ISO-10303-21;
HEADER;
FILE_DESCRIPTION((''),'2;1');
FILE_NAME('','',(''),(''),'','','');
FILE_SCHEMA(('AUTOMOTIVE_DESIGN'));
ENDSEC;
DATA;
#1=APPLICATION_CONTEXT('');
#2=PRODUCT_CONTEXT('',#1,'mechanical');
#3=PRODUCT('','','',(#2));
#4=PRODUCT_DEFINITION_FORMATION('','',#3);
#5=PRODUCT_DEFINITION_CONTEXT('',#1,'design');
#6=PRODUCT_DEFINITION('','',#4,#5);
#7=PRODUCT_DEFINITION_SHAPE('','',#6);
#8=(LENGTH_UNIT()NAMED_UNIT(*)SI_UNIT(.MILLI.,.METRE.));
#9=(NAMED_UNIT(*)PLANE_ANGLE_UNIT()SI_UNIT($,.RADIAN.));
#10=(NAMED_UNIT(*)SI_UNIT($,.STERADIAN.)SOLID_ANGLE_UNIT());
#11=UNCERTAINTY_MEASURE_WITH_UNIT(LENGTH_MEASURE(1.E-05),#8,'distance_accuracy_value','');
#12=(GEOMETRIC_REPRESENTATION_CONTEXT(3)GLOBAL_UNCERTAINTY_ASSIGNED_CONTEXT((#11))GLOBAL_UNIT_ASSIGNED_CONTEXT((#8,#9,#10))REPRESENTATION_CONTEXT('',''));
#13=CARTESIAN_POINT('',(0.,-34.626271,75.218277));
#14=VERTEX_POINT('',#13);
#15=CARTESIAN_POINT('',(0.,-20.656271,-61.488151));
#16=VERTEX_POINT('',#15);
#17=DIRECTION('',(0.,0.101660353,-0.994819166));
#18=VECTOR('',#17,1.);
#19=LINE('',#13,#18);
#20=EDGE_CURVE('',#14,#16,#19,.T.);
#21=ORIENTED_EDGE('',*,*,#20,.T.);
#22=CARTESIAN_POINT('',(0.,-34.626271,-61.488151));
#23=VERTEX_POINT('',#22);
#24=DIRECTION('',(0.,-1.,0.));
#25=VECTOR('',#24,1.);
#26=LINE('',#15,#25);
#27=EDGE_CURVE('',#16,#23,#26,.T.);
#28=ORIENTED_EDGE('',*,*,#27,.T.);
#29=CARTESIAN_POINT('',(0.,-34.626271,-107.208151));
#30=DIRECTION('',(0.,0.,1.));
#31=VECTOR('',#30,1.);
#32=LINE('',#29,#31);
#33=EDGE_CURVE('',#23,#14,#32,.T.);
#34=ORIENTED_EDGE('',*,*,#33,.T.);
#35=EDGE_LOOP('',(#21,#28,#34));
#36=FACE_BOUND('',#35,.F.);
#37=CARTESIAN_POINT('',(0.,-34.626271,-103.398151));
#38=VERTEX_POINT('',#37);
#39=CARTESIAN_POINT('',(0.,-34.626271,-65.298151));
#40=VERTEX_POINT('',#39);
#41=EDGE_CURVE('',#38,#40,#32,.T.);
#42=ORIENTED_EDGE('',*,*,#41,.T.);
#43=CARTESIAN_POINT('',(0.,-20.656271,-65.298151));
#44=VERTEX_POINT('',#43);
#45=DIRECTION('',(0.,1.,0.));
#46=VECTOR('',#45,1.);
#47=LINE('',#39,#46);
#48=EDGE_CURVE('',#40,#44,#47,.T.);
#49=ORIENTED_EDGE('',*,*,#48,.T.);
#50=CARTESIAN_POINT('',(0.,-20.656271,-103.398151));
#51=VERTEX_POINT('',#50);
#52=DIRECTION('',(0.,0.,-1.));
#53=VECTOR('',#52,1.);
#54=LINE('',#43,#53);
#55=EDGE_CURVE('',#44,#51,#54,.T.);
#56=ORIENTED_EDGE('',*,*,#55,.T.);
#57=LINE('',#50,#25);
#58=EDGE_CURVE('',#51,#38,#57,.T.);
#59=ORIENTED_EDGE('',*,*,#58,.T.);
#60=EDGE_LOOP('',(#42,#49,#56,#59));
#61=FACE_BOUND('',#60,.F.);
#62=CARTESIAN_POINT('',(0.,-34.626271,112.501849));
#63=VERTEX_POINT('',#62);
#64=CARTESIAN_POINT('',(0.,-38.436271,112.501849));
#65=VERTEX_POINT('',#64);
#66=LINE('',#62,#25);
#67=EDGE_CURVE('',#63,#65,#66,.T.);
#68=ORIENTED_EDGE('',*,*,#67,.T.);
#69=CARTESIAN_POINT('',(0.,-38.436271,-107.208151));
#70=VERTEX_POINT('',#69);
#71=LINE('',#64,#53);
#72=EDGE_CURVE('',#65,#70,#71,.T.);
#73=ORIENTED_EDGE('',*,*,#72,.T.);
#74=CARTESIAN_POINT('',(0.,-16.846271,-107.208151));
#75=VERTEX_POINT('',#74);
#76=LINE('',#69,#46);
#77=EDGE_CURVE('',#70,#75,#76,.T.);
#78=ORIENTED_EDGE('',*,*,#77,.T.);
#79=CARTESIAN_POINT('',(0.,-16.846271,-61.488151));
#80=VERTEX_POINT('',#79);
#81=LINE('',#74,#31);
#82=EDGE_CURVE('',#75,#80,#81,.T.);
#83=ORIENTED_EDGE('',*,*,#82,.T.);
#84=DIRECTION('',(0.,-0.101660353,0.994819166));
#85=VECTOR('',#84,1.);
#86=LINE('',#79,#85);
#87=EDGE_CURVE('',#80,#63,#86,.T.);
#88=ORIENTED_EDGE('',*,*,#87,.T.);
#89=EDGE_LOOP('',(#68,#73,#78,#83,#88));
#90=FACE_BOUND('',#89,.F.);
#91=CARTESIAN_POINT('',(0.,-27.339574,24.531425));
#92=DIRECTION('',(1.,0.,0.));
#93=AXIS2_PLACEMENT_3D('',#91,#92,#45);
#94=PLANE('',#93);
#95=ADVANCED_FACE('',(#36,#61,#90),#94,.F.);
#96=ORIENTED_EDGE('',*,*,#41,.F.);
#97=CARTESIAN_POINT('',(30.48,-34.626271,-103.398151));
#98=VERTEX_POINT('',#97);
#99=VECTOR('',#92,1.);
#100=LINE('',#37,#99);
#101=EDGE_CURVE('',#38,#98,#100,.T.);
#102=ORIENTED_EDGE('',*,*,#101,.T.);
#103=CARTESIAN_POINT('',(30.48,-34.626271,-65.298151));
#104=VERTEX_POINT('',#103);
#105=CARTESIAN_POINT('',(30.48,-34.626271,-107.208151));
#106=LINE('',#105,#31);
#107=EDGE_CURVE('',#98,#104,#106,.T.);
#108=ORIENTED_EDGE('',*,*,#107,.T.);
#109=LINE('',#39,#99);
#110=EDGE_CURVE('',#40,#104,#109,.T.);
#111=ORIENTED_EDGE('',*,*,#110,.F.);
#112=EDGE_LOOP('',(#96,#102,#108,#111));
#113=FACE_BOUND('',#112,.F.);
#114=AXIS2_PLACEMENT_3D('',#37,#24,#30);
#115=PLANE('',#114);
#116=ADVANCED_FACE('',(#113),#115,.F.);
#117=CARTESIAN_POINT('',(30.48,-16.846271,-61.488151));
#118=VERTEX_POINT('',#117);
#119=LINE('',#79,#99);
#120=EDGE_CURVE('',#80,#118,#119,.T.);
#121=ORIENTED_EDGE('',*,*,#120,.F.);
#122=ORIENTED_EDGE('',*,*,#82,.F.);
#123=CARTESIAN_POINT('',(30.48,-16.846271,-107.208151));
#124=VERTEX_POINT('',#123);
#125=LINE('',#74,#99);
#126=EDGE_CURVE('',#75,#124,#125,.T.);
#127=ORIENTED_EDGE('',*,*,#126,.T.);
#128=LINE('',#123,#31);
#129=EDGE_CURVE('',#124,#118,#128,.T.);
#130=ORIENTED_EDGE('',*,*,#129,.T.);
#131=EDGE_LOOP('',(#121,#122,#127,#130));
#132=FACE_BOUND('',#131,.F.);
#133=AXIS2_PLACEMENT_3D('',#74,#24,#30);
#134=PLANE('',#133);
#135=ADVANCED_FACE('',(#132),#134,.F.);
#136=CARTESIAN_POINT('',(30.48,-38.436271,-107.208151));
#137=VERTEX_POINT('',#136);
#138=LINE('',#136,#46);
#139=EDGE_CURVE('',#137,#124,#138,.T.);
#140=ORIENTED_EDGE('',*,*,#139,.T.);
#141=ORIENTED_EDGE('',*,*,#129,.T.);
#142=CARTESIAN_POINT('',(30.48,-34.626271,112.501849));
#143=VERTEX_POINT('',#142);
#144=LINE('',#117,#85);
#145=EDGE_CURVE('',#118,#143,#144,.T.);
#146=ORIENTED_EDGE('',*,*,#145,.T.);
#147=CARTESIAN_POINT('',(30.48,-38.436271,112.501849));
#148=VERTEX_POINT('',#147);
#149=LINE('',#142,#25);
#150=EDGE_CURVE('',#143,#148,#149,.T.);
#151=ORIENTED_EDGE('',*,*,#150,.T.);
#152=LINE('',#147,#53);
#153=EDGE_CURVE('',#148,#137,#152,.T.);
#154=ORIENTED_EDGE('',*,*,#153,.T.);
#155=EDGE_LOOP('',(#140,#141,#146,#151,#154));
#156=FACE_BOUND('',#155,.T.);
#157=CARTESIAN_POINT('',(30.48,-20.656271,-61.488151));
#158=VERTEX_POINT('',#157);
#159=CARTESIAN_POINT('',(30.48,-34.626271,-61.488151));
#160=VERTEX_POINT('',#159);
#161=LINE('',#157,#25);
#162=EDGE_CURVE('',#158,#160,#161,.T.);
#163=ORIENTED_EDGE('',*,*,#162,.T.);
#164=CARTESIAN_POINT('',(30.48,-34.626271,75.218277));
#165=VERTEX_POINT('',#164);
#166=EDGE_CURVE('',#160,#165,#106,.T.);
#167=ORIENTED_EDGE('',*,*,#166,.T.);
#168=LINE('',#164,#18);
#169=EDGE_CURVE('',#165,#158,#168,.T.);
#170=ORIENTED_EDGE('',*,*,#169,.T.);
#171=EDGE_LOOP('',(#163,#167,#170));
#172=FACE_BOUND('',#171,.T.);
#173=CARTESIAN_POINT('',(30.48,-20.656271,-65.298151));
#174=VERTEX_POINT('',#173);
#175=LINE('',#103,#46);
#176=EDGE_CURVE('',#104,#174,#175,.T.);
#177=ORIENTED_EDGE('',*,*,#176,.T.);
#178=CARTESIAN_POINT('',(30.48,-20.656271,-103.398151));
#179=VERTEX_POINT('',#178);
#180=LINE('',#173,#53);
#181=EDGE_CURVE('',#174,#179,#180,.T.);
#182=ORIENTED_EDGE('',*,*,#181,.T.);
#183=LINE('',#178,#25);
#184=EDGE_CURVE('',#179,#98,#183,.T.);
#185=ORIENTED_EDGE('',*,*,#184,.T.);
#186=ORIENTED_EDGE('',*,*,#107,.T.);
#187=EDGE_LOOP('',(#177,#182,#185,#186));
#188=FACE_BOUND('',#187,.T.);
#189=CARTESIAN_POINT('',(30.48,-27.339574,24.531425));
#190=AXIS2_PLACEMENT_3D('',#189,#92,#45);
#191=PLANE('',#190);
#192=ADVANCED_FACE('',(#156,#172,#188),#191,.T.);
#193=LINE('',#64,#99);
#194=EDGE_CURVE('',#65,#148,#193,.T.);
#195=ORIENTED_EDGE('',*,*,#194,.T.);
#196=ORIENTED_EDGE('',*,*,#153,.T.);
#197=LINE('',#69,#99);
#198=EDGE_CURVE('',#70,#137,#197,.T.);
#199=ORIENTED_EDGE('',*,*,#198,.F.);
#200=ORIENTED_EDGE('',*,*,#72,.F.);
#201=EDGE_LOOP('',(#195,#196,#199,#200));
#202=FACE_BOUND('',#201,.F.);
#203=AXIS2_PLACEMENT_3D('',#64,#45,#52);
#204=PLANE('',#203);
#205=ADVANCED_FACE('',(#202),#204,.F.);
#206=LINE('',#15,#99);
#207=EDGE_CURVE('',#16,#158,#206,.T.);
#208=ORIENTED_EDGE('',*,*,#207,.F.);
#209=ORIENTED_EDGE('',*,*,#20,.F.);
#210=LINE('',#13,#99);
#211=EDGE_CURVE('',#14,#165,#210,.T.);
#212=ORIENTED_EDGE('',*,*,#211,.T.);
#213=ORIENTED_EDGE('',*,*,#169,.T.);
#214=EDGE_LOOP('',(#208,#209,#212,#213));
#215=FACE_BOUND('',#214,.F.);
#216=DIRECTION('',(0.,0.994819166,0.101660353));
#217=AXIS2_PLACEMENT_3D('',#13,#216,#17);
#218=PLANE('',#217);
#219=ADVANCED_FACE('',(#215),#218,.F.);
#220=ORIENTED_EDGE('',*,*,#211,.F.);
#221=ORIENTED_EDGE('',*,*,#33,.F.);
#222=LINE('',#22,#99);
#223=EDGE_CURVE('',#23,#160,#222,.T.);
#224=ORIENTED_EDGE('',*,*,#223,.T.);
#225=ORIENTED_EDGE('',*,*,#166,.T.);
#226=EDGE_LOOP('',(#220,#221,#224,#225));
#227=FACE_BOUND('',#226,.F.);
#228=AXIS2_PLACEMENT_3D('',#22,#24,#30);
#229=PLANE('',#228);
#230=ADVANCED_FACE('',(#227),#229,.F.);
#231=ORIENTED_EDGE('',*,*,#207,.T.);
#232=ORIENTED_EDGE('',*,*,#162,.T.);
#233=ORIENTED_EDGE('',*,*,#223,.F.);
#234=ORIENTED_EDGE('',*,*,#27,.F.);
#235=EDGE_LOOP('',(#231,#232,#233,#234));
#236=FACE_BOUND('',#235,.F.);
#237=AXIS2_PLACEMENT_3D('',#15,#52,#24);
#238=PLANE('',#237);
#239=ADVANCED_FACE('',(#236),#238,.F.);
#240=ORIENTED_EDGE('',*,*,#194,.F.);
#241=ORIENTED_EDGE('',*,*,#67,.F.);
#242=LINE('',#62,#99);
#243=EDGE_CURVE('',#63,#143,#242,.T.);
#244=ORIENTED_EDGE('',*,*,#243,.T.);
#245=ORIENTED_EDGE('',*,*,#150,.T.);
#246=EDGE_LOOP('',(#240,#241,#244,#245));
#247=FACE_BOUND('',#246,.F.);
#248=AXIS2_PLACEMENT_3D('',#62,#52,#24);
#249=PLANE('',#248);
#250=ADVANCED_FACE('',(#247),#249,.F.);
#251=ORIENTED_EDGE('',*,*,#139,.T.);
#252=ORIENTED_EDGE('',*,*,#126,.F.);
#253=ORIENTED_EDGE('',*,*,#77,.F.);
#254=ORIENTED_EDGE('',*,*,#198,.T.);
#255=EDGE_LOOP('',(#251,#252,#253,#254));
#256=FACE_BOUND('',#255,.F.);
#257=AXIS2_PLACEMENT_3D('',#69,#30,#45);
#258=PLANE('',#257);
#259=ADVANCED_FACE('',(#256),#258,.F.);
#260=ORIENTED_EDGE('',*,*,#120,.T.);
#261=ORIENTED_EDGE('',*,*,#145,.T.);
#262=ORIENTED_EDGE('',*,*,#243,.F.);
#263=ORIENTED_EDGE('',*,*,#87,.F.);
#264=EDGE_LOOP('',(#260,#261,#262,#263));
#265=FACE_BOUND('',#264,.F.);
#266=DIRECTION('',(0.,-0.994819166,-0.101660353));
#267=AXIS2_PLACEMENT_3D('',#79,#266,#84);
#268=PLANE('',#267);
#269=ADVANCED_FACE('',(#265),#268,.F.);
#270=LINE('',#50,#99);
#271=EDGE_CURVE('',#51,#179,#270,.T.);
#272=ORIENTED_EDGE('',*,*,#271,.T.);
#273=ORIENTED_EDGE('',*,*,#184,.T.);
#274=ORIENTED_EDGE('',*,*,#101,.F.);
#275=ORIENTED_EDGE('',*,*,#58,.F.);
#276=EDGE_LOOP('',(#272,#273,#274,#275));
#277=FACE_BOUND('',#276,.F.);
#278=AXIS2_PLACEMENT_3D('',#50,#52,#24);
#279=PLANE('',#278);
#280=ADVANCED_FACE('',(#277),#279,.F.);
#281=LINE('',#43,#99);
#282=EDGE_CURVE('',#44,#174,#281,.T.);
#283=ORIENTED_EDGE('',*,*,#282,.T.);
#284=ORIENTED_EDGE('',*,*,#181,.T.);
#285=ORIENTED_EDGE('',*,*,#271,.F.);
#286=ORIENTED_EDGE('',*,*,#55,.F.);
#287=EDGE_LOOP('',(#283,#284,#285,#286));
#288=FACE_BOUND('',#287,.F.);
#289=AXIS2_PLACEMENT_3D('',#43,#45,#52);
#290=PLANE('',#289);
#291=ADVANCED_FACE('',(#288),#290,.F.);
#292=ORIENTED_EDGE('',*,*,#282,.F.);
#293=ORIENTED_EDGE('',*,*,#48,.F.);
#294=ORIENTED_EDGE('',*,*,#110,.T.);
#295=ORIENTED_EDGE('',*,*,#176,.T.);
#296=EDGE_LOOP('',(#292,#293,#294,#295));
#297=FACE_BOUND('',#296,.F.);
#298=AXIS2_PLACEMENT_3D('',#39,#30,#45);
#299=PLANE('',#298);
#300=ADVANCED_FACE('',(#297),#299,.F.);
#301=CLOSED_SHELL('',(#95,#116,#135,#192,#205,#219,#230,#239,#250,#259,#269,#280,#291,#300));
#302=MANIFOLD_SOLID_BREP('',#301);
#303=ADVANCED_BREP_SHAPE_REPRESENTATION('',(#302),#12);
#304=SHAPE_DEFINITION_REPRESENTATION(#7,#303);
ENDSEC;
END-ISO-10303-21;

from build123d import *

# Parameters (mm, degrees)
F1_DEPTH = 30.48


with BuildPart() as f1:
    # F0 (on Right) → F1 (new body)
    with BuildSketch(Plane.YZ):
        Polygon((-16.846271, -61.488151), (-34.626271, 112.501849), (-34.626271, 75.218277), (-20.656271, -61.488151), align=None)
        Polygon((-34.626271, 112.501849), (-38.436271, 112.501849), (-38.436271, -107.208151), (-34.626271, -107.208151), (-34.626271, -103.398151), (-34.626271, -65.298151), (-34.626271, -61.488151), (-34.626271, 75.218277), align=None)
        Polygon((-34.626271, -103.398151), (-34.626271, -107.208151), (-16.846271, -107.208151), (-16.846271, -61.488151), (-20.656271, -61.488151), (-34.626271, -61.488151), (-34.626271, -65.298151), (-20.656271, -65.298151), (-20.656271, -103.398151), align=None)
    extrude(amount=F1_DEPTH)


solid = f1.part
